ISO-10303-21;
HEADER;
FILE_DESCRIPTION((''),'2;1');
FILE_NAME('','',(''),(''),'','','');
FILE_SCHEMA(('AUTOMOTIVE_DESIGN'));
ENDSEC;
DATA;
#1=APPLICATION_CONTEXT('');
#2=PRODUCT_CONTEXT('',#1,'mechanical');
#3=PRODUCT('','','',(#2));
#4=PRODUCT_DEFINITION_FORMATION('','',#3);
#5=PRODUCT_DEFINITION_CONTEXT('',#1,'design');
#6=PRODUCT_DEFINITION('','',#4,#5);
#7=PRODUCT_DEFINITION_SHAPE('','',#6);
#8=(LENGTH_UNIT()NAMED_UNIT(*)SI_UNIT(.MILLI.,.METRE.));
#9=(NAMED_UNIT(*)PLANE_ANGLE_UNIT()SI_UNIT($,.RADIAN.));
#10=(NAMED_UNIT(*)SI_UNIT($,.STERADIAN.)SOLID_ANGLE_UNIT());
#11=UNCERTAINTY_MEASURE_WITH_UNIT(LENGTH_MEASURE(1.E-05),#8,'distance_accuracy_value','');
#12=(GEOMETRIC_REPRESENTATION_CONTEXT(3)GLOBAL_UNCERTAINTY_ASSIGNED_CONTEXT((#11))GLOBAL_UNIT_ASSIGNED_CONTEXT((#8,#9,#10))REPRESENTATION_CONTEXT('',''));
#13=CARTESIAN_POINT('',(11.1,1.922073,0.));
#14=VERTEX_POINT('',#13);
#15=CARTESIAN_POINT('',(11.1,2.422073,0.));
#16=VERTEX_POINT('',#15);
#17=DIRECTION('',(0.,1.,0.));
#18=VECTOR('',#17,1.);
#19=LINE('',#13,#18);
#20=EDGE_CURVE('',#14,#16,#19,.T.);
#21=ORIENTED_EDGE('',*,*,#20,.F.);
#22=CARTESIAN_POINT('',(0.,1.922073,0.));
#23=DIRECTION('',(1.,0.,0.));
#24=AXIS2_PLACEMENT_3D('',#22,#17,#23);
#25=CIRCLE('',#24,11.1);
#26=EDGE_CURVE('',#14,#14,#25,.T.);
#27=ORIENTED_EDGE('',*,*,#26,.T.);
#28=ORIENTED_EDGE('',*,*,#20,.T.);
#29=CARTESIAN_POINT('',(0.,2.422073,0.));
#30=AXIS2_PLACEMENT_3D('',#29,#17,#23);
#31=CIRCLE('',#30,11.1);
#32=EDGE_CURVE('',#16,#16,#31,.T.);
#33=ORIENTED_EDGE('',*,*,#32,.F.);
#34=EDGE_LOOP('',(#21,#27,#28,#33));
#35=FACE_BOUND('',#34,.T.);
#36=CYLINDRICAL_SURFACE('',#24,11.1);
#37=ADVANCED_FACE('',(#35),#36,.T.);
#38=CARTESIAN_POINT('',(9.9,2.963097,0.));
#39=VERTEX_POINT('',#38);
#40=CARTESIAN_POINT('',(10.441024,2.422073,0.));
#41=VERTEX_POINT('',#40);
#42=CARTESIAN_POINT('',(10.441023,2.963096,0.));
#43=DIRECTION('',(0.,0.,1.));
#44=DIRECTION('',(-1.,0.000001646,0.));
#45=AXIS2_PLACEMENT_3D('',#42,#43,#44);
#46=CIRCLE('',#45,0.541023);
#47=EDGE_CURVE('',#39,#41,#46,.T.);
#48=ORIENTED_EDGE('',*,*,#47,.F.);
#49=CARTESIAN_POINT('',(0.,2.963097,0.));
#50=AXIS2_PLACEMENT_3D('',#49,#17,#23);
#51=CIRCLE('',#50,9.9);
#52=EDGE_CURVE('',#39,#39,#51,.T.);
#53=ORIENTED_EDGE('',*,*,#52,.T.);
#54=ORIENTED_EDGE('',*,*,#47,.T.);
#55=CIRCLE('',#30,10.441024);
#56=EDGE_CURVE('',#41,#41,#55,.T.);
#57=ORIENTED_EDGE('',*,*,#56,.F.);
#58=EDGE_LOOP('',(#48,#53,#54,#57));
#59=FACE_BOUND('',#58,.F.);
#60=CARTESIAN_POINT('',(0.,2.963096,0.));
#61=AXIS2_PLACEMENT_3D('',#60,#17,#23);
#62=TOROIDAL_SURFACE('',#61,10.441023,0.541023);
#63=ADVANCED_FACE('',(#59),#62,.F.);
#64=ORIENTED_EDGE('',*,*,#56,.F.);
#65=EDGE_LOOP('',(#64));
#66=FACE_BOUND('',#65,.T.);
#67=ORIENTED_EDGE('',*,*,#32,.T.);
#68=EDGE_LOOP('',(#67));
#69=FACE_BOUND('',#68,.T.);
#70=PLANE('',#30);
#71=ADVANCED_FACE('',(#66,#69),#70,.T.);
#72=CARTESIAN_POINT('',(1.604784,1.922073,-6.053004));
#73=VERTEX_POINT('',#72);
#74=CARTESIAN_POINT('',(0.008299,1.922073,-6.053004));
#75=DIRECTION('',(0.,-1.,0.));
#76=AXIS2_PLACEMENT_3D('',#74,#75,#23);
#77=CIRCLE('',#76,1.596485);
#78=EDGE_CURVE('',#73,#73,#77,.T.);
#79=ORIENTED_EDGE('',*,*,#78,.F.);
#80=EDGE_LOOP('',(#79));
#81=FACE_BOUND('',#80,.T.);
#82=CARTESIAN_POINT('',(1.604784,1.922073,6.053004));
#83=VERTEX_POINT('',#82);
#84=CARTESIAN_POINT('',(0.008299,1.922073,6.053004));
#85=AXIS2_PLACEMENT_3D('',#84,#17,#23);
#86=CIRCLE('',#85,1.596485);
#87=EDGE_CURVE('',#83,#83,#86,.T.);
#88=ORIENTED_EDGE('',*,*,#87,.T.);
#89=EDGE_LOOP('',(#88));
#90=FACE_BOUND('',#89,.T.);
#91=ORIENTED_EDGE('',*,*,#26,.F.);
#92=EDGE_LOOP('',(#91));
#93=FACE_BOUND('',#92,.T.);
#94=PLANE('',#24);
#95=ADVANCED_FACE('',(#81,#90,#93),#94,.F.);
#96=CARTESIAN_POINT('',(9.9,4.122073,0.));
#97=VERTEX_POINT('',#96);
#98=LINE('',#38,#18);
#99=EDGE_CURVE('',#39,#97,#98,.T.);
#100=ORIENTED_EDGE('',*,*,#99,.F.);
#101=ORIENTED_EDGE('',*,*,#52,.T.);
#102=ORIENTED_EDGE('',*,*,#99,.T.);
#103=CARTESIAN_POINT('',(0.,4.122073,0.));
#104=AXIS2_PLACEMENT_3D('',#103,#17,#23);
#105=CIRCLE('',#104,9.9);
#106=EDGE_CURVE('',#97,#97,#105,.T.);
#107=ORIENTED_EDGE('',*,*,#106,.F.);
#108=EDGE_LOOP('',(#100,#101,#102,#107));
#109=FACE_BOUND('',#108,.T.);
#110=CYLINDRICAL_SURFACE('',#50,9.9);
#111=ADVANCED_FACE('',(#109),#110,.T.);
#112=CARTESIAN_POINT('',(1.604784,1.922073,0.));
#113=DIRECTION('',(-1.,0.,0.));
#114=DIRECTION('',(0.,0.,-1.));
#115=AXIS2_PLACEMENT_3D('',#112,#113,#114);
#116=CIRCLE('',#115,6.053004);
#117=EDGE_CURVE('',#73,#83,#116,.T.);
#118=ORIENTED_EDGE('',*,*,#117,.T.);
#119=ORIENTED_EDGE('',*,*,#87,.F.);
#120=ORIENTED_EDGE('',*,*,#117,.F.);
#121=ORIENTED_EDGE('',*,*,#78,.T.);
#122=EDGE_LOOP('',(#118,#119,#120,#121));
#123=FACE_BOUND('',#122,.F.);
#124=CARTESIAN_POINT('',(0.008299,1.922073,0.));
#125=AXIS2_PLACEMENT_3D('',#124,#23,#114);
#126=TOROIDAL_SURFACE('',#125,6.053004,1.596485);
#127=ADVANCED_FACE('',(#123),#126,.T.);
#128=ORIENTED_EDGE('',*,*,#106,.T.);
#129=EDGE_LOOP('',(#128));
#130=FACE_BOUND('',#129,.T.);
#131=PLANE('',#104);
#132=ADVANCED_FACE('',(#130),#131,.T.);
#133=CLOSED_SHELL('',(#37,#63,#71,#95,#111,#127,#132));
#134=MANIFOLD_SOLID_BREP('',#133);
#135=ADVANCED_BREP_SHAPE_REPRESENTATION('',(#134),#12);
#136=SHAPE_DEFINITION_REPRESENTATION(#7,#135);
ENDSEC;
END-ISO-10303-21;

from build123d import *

# Parameters (mm, degrees)
SKETCH001_R         = 1.596485
REVOLUTION001_ANGLE = -180


with BuildPart() as part:
    # Sketch → Revolution (revolve)
    with BuildSketch(Plane.XY):
        with BuildLine():
            Line((0, 1.922073), (11.1, 1.922073))
            Line((11.1, 1.922073), (11.1, 2.422073))
            Line((11.1, 2.422073), (10.441024, 2.422073))
            ThreePointArc((9.9, 2.963097), (10.058462, 2.580535), (10.441024, 2.422073))
            Line((9.9, 2.963097), (9.9, 4.122073))
            Line((9.9, 4.122073), (0, 4.122073))
            Line((0, 4.122073), (0, 1.922073))
        make_face()
    revolve(axis=Axis((0, 0, 0), (0, 1, 0)))

    # Sketch001 (on Face3 of Revolution) → Revolution001 (revolve)
    with BuildSketch(Plane.XZ.offset(-1.922073)):
        with Locations((0.008299, -6.053004)):
            Circle(SKETCH001_R)
    revolve(axis=Axis((0, 1.922073, 0), (1, 0, 0)), revolution_arc=REVOLUTION001_ANGLE)


solid = part.part
